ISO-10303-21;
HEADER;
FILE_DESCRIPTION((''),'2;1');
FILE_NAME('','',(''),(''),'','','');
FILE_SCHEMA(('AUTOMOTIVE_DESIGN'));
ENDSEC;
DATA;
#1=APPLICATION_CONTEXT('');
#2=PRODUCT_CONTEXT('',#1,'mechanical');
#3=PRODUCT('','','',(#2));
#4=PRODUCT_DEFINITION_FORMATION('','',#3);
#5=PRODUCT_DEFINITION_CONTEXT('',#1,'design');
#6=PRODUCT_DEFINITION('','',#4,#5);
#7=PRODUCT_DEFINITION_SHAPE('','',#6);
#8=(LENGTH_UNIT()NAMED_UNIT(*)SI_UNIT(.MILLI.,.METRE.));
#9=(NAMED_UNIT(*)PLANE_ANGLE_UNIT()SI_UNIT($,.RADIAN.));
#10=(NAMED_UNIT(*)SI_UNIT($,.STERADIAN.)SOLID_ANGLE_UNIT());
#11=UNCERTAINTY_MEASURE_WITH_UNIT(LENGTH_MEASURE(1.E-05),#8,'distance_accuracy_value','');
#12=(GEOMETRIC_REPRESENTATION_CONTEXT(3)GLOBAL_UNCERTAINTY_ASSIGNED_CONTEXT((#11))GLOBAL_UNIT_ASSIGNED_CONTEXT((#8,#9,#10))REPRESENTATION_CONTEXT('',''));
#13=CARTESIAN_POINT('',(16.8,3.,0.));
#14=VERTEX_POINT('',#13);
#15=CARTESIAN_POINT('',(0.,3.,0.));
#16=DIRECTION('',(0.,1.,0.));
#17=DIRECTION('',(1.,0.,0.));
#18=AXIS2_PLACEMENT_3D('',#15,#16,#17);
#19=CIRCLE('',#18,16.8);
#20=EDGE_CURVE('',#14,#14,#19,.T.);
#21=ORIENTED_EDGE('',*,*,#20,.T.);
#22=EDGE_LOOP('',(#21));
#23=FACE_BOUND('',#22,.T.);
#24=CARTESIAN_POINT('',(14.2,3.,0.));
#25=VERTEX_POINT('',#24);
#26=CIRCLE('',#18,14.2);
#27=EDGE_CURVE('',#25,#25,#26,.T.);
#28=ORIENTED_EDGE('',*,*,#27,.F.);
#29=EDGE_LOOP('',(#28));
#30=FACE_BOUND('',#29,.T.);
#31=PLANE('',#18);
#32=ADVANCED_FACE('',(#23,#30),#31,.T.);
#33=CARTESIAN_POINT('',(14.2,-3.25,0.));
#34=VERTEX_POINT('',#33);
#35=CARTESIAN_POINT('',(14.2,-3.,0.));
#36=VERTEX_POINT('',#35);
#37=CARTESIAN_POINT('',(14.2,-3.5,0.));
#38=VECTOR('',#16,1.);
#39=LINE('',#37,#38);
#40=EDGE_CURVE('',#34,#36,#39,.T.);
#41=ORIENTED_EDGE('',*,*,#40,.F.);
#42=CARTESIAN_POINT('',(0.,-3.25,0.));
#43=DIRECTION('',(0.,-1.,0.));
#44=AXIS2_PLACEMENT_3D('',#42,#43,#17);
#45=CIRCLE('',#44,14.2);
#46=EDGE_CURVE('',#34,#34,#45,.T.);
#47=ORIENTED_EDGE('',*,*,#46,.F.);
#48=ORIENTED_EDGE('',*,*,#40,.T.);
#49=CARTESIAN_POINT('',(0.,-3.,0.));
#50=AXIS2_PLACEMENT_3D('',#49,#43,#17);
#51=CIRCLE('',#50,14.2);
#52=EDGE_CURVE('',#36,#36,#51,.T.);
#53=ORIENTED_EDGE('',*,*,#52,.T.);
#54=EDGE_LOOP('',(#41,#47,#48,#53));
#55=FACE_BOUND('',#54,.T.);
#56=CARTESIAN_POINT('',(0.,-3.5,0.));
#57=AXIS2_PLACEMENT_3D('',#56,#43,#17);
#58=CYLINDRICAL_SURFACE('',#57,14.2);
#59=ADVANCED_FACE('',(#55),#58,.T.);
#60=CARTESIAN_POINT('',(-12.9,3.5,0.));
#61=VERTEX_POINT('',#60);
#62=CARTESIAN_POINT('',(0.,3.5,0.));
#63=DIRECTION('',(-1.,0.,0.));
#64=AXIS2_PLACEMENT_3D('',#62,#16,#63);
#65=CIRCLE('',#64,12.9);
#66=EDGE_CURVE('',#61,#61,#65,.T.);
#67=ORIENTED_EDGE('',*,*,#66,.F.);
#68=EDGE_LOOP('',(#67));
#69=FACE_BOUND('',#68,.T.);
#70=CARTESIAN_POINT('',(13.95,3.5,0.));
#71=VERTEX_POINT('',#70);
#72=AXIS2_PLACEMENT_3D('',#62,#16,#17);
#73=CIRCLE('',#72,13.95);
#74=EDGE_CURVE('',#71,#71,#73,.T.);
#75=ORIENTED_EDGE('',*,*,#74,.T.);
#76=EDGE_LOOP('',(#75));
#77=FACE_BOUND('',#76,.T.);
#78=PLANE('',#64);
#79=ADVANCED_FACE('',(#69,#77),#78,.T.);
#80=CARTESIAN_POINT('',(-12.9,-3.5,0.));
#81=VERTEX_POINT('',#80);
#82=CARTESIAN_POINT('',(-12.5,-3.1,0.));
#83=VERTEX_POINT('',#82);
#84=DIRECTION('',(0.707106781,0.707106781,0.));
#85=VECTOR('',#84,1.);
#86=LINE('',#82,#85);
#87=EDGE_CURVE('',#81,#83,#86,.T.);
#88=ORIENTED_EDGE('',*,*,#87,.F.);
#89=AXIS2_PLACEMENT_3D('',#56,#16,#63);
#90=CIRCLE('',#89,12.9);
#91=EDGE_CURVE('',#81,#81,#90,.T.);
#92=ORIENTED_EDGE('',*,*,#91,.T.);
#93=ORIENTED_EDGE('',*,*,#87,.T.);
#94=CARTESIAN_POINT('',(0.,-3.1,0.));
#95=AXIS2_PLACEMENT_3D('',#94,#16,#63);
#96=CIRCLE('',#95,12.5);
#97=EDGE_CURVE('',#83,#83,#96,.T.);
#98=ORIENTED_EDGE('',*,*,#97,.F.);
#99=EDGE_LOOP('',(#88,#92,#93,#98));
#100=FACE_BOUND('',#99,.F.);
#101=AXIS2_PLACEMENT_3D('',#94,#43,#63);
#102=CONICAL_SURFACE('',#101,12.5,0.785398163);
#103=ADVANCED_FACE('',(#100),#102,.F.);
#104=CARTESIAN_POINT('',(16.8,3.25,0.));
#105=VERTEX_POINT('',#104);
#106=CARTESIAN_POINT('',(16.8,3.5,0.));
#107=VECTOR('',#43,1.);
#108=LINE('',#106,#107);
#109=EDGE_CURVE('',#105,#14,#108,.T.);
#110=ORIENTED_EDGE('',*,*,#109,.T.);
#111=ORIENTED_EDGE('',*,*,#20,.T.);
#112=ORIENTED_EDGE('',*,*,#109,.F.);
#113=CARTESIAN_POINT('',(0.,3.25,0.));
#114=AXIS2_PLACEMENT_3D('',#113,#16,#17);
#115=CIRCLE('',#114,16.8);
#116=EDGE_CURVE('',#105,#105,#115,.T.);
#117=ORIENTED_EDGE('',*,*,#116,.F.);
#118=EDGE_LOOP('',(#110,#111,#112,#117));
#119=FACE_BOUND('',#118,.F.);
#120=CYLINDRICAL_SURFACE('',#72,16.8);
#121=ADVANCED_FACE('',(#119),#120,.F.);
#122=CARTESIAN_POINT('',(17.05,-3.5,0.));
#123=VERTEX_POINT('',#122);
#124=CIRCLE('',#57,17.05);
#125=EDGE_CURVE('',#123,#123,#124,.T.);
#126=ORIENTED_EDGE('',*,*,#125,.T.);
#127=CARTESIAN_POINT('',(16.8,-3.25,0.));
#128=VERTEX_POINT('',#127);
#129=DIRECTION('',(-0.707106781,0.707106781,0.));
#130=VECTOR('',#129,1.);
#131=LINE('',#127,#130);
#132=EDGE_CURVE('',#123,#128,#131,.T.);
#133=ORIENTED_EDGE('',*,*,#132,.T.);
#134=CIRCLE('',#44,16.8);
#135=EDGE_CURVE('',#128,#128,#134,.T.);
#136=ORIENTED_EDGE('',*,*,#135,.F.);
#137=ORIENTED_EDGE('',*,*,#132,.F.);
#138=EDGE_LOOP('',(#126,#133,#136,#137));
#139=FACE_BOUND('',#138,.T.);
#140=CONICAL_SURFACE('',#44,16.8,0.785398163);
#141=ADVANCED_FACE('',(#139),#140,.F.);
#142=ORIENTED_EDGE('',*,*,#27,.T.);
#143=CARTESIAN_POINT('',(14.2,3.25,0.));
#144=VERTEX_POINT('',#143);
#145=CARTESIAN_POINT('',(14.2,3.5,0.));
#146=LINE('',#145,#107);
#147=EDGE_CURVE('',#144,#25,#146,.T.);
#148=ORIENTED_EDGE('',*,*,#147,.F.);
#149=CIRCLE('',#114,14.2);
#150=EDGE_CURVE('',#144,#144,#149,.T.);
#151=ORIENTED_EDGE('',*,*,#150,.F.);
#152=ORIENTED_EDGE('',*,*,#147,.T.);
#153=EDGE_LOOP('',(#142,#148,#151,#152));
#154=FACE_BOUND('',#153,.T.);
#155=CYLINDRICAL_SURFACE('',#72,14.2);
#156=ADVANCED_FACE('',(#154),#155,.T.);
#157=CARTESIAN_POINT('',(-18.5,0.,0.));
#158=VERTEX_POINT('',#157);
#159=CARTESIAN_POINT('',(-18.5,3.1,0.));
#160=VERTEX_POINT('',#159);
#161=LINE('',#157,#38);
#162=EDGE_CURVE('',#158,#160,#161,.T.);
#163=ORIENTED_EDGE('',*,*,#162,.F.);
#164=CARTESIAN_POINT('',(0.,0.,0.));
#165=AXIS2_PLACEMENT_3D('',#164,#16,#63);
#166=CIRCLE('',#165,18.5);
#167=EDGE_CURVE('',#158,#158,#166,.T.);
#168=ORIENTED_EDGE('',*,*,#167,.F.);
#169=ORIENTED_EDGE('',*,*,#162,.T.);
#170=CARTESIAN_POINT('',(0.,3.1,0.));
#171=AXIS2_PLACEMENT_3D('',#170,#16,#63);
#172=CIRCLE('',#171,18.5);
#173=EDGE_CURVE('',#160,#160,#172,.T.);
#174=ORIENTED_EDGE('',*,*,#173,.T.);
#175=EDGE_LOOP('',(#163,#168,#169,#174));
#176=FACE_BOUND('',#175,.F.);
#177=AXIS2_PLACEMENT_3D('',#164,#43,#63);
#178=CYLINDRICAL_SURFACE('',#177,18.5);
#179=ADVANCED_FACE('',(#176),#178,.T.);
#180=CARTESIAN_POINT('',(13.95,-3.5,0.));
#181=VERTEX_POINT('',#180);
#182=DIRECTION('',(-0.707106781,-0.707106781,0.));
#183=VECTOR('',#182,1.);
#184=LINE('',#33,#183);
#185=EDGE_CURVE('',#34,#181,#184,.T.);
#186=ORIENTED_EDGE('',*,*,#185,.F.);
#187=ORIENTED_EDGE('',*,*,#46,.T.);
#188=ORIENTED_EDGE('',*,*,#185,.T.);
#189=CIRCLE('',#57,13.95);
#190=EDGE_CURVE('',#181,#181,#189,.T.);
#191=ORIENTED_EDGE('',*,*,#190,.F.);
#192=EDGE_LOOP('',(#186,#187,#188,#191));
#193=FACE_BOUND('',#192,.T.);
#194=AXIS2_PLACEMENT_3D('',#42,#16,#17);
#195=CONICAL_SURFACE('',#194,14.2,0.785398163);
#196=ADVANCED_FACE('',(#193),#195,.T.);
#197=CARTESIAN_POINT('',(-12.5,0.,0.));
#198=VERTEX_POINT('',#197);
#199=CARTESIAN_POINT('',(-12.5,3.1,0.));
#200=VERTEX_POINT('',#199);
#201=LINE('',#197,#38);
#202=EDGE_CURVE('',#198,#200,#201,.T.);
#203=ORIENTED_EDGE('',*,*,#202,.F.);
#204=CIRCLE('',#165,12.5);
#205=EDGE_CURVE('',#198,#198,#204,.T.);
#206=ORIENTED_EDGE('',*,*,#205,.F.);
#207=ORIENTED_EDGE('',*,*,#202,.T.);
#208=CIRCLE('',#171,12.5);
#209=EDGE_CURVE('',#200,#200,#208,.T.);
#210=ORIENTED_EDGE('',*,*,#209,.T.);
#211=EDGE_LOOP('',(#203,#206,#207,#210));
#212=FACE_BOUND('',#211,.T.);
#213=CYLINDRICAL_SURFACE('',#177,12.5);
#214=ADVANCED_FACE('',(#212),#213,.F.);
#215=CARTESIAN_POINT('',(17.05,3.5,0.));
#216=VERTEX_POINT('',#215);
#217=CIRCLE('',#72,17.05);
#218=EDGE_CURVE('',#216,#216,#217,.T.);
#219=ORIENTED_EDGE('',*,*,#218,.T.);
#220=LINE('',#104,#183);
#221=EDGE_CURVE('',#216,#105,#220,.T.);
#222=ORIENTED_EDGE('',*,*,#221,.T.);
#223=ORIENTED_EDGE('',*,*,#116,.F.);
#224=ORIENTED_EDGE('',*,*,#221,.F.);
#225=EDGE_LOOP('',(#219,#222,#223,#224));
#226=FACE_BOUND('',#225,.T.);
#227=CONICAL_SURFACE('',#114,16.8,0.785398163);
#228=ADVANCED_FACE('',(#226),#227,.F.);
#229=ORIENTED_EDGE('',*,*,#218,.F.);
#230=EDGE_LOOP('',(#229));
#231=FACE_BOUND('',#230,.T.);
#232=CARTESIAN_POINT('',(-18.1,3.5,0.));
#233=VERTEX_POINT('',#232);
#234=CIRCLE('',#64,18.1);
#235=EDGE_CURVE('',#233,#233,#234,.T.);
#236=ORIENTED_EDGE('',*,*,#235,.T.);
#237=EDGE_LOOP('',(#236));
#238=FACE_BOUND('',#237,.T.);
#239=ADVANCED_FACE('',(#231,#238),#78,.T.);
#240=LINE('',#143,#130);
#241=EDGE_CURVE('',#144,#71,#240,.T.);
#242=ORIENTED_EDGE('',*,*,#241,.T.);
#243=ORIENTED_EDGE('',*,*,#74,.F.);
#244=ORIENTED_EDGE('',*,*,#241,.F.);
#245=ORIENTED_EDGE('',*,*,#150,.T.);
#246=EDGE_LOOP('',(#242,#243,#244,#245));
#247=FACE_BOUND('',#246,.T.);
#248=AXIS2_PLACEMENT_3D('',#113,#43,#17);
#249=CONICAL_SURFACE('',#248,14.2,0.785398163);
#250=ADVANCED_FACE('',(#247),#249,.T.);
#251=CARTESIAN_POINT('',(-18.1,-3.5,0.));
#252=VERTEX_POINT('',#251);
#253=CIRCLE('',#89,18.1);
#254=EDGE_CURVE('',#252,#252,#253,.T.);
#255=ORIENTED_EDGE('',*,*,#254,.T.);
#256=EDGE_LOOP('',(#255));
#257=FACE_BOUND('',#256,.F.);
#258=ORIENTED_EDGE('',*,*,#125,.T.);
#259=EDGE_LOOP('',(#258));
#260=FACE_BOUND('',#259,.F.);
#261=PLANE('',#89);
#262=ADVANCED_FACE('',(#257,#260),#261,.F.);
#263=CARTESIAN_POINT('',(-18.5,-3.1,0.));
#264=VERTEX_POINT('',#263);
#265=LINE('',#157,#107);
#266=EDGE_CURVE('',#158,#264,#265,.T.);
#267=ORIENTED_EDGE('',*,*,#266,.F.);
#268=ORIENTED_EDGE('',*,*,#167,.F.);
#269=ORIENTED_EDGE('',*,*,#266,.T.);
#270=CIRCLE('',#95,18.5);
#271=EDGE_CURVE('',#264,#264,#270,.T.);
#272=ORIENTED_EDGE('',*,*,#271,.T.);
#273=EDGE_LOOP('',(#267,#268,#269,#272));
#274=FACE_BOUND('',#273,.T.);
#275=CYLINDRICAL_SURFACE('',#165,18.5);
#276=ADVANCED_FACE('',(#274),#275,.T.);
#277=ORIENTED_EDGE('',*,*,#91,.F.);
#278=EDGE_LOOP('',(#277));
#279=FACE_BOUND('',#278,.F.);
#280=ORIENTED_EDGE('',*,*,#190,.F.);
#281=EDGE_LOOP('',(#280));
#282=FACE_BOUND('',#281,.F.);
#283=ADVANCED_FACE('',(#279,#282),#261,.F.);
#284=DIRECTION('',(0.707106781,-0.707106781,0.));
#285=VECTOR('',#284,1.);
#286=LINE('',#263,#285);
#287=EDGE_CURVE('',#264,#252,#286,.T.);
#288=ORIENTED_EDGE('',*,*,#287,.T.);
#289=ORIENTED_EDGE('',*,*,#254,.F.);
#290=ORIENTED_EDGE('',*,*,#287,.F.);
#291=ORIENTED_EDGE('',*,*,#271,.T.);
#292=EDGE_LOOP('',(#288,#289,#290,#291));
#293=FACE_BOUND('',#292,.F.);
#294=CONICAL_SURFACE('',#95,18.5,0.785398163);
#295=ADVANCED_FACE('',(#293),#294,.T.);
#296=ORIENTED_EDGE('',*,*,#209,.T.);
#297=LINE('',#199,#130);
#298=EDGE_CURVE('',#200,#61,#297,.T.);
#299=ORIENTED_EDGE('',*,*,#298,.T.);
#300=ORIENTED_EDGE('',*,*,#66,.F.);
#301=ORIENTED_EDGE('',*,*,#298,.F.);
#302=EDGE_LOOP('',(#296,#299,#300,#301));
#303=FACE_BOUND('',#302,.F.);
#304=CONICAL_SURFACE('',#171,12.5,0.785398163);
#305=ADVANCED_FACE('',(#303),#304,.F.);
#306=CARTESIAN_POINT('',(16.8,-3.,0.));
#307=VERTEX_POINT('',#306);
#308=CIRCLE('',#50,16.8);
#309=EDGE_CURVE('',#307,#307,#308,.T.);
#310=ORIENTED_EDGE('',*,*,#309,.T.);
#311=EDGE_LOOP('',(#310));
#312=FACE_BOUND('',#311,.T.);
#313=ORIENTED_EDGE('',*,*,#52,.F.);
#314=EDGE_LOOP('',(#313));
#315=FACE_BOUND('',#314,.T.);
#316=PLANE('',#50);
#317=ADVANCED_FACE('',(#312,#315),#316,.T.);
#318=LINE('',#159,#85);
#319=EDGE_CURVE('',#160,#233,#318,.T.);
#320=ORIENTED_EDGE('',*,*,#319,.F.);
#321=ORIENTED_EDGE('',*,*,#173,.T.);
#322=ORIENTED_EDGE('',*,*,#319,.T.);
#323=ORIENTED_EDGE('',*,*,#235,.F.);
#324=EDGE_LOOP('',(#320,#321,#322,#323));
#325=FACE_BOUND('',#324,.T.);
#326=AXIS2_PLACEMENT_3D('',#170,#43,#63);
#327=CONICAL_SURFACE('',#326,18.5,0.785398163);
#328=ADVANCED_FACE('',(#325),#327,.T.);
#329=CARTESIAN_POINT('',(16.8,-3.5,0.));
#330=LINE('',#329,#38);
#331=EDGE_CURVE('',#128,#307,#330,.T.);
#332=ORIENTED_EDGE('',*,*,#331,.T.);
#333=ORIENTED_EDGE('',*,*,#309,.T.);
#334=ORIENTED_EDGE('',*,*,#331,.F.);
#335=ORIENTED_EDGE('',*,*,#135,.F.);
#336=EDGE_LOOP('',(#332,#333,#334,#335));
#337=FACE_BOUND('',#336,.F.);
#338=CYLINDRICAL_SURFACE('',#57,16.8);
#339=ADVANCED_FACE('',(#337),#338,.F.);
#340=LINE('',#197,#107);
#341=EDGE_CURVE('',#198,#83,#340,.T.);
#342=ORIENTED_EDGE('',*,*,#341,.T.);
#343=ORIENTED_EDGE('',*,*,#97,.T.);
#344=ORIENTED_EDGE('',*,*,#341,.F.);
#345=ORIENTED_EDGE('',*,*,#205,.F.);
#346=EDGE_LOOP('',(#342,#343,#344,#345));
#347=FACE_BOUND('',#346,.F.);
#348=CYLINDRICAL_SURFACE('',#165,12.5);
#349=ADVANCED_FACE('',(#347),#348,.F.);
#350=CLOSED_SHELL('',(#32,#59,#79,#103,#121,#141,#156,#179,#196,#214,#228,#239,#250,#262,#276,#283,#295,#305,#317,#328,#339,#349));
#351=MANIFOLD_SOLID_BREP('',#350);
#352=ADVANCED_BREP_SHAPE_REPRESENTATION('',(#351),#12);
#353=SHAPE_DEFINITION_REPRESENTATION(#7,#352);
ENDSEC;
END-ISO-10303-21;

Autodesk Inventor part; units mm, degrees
ref_plane "YZ Plane" through (0, 0, 0) normal (1, 0, 0) x (0, 1, 0)
ref_plane "XZ Plane" through (0, 0, 0) normal (0, 1, 0) x (-1, 0, 0)
ref_plane "XY Plane" through (0, 0, 0) normal (0, 0, 1) x (1, 0, 0)
sketch "Эскиз1" plane through (0, 0, 0) normal (0, 1, 0) x (-1, 0, 0)
  circle A0 centre (0, 0) radius 12.5
  circle A1 centre (0, 0) radius 18.5
  dimension "d0" = 25
  dimension "d1" = 37
extrude "Выдавливание1" add sketch "Эскиз1" along normal mid plane 7
sketch "Эскиз2" plane through (0, 3.5, 0) normal (0, 1, 0) x (1, 0, 0)
  circle A0 centre (0, 0) radius 14.2
  circle A1 centre (0, 0) radius 16.8
  circle A2 centre (0, 0) radius 12.5 projected
  dimension "d4" = 2.6
  dimension "d5" = 1.7
extrude "Выдавливание2" cut sketch "Эскиз2" against normal blind 0.5 contours A1
chamfer "Фаска2" distance 0.4 angle 45 4 edges at (18.5, -3.5, 0) (18.5, 3.5, 0) (12.5, -3.5, 0) (12.5, 3.5, 0)
sketch "Эскиз3" plane through (0, -3.5, 0) normal (0, -1, 0) x (1, 0, 0)
  circle A0 centre (0, 0) radius 16.8 projected
  circle A1 centre (0, 0) radius 14.2 projected
extrude "Выдавливание3" cut sketch "Эскиз3" against normal blind 0.5
chamfer "Фаска1" distance 0.25 angle 45 4 edges at (-16.8, 3.5, 0) (-14.2, 3.5, 0) (-16.8, -3.5, 0) (-14.2, -3.5, 0)
properties part number "bearing 37x25x7"
